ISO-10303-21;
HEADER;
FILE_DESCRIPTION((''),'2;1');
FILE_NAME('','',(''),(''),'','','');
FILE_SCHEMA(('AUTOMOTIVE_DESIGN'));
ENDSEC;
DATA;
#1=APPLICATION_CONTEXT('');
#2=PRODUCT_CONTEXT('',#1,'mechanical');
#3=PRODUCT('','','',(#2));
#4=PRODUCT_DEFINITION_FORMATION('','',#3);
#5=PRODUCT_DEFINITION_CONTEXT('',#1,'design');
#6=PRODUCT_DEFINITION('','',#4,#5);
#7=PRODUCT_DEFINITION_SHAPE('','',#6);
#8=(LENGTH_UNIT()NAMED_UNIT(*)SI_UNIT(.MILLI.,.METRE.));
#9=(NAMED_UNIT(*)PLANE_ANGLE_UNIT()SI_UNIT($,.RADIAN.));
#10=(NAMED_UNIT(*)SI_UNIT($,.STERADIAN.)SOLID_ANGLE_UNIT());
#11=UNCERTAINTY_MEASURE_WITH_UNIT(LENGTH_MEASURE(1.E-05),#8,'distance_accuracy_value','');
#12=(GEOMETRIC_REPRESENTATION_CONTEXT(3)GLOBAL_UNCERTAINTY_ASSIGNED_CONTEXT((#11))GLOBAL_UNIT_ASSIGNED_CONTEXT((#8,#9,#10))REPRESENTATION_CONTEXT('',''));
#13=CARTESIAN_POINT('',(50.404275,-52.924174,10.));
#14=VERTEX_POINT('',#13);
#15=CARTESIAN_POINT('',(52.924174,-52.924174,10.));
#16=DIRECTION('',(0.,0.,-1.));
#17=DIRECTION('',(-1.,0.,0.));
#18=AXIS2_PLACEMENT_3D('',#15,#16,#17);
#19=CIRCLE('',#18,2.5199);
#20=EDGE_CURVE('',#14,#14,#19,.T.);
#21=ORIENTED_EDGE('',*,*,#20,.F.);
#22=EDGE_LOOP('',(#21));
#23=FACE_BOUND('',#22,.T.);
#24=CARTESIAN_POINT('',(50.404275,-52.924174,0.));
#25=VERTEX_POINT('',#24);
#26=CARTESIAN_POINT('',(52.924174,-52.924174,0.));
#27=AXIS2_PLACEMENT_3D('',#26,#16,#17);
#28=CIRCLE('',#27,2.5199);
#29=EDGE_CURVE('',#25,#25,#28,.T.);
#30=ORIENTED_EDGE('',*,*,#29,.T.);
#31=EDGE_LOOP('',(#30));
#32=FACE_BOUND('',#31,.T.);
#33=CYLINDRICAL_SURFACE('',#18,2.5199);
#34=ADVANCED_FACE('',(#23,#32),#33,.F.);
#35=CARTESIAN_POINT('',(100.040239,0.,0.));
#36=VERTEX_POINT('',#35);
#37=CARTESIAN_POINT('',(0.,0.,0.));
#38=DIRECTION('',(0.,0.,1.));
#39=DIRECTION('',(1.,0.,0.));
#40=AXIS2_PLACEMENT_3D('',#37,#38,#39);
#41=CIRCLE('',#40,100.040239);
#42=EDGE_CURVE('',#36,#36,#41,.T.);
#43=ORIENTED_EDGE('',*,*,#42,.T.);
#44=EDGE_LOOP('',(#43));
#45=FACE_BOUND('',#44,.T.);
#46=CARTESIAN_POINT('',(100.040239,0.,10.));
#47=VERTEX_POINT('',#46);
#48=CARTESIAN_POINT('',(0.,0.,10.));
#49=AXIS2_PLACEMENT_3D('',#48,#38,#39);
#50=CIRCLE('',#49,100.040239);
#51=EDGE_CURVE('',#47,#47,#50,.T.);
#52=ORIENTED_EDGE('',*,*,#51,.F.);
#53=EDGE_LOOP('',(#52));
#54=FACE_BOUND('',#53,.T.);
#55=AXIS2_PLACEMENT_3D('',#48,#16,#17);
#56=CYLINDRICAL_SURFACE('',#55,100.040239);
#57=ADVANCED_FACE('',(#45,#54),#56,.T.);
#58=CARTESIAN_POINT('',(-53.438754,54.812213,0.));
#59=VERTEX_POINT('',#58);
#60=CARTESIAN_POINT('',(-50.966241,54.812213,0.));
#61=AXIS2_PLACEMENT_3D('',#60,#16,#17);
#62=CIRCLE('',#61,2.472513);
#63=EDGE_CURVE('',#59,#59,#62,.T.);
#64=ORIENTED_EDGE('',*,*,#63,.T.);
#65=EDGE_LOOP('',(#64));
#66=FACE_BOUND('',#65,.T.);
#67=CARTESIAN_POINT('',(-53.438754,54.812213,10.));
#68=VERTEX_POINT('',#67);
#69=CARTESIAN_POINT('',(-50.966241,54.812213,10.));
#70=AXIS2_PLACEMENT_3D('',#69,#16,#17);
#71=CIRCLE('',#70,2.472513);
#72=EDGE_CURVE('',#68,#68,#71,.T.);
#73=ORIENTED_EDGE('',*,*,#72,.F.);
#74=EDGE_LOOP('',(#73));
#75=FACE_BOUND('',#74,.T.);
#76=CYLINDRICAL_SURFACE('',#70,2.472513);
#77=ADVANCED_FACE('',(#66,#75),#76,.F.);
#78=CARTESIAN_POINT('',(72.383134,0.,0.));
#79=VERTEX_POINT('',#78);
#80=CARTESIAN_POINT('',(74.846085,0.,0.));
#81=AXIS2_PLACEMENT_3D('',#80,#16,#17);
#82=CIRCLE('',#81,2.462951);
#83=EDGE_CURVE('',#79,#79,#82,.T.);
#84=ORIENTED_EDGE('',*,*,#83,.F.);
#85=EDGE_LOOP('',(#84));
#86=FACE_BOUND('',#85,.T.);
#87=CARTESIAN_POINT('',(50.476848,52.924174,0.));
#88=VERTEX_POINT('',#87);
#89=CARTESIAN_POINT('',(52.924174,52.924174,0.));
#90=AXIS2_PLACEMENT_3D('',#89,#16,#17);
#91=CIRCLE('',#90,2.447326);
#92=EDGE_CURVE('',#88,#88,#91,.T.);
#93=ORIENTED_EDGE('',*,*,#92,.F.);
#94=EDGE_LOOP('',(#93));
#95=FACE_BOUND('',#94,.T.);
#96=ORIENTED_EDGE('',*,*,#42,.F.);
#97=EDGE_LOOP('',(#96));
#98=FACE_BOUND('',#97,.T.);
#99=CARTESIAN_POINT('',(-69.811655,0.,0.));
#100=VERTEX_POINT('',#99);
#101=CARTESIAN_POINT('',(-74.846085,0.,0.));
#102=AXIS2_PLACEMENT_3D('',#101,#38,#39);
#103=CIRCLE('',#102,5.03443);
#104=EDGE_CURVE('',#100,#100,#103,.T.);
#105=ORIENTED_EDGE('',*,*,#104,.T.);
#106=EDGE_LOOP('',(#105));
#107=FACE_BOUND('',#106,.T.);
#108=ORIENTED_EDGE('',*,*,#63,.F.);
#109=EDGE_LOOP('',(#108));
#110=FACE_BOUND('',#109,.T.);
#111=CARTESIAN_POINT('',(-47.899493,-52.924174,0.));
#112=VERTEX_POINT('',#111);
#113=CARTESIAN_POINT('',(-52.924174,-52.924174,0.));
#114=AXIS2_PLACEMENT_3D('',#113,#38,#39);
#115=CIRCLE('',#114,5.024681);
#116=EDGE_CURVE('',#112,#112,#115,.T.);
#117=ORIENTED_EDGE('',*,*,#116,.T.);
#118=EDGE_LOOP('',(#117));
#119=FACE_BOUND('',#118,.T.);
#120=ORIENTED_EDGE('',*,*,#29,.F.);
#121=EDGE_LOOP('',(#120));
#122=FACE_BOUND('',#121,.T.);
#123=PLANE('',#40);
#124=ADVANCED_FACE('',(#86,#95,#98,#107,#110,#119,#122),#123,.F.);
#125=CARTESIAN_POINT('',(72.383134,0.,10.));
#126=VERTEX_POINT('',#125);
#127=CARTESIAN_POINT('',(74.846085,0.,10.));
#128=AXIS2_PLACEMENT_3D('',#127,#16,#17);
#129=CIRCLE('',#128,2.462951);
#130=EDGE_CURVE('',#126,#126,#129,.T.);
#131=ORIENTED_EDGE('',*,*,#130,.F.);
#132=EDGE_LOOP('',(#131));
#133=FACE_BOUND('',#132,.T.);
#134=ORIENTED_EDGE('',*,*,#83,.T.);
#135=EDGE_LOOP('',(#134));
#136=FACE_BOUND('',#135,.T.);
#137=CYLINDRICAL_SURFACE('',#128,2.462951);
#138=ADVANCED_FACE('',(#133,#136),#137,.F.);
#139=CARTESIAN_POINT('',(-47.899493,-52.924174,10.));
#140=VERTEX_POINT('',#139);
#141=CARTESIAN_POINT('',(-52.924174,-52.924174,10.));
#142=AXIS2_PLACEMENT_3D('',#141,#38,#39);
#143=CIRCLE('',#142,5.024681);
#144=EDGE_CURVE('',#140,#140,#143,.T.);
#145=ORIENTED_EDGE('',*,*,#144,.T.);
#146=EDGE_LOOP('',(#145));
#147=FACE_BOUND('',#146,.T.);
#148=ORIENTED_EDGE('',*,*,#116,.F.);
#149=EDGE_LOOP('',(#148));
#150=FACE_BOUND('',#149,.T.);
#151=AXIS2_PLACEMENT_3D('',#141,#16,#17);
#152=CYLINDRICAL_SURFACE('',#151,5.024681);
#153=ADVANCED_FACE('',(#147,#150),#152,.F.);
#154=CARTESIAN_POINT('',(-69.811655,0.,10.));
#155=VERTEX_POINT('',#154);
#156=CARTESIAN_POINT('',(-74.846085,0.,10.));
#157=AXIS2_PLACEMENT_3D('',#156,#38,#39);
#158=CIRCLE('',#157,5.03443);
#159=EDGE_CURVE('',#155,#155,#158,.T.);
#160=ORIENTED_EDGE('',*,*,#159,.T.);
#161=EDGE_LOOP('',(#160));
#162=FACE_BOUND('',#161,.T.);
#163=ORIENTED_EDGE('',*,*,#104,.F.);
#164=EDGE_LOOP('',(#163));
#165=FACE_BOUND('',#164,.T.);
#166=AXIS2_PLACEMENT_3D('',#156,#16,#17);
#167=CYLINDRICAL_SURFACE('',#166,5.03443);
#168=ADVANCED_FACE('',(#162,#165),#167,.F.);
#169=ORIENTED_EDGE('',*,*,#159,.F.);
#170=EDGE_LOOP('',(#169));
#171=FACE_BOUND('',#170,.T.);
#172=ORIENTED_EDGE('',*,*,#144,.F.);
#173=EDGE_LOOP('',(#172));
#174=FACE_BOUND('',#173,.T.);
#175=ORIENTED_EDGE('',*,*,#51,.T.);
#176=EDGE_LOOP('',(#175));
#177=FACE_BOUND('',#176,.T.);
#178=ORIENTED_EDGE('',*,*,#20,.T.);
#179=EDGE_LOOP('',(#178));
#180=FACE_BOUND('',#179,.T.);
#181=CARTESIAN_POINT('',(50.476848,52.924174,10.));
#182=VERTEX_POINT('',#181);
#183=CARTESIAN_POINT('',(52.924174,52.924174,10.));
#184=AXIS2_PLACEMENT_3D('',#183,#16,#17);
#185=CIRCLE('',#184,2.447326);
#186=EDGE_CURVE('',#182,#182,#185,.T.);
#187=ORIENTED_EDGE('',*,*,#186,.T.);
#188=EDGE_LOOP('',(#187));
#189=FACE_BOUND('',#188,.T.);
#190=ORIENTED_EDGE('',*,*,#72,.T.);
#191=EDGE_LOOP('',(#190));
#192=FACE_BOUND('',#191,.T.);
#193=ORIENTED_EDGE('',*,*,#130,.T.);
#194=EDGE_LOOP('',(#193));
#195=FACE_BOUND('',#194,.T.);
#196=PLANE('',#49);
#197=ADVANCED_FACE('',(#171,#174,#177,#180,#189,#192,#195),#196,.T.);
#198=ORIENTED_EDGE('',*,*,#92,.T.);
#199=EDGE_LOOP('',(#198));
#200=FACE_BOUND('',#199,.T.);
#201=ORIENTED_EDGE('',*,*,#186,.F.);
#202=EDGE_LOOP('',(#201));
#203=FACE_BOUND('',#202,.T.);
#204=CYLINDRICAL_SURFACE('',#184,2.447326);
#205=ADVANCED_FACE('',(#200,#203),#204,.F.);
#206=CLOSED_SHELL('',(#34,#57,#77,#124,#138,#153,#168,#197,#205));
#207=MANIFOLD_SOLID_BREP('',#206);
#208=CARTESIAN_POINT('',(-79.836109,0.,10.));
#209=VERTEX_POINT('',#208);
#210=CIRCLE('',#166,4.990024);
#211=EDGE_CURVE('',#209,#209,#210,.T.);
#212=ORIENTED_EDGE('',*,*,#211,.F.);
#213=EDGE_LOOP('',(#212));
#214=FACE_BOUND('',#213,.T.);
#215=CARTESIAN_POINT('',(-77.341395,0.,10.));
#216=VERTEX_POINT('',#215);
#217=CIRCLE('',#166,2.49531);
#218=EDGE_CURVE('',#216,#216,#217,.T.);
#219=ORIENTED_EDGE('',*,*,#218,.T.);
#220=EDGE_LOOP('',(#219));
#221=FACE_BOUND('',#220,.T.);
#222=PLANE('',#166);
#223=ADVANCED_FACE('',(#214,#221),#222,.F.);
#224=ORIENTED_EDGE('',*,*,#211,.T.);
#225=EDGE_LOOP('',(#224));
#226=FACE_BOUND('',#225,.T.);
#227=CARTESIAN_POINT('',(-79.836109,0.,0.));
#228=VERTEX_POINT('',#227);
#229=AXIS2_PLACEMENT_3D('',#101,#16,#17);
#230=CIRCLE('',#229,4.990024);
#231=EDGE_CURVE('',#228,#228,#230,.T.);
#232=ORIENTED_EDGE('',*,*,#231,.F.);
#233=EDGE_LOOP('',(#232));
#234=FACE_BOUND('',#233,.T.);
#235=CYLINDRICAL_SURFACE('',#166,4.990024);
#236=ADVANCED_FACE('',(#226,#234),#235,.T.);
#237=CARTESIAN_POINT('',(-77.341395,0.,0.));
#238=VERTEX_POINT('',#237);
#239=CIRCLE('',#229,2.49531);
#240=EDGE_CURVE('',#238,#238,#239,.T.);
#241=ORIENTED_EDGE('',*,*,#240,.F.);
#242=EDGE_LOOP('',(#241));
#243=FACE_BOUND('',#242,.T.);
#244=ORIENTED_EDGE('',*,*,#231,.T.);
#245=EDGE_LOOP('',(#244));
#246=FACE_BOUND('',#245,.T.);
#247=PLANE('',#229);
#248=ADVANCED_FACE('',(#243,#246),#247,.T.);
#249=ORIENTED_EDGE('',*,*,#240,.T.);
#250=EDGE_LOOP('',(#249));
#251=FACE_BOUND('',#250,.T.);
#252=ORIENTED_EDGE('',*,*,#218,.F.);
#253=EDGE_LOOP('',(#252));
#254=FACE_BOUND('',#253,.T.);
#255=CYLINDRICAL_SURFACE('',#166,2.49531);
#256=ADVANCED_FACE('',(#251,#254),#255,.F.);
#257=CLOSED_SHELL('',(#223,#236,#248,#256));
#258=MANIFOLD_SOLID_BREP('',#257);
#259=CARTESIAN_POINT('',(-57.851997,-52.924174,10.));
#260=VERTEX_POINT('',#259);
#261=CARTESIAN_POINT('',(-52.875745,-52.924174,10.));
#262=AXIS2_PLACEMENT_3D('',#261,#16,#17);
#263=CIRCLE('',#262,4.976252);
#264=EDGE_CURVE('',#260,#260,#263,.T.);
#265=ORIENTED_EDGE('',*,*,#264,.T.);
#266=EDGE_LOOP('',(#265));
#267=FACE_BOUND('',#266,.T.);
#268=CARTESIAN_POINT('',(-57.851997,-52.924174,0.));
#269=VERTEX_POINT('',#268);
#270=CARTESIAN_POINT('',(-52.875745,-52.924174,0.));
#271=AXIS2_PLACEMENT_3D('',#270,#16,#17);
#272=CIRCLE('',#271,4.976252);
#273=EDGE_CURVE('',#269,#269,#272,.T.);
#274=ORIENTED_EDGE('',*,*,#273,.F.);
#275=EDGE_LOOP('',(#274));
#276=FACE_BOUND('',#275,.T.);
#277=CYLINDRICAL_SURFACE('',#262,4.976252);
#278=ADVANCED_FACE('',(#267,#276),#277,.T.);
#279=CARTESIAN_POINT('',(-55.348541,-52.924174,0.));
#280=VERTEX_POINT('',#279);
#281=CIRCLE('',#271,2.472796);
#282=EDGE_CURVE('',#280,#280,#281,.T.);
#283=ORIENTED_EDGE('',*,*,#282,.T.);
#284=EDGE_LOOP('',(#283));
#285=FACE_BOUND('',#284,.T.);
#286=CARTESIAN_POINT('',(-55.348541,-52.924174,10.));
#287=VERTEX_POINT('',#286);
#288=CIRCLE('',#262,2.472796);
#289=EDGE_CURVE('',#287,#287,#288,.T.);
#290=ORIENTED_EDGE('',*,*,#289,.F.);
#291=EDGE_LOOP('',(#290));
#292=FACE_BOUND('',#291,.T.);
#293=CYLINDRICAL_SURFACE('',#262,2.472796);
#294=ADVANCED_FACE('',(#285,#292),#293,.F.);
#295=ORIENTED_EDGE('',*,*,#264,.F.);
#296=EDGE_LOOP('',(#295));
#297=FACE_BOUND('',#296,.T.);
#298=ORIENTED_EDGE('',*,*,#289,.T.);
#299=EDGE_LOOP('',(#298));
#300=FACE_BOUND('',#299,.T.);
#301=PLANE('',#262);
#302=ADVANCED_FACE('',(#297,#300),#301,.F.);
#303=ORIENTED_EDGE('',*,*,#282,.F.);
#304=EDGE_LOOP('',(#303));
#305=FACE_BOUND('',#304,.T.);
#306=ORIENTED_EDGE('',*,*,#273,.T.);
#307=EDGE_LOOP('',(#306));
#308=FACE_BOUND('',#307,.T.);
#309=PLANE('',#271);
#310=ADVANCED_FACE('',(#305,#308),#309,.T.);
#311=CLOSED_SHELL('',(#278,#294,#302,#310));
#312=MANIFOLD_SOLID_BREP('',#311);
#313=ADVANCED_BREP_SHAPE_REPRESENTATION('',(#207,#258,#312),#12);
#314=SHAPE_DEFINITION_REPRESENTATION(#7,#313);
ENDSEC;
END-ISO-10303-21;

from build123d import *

# Parameters (mm, degrees)
SKETCH1_R           = 100.040239399
SKETCH1_R_2         = 4.999787409
SKETCH1_R_3         = 4.994100705
SKETCH1_R_4         = 4.985498273
SKETCH1_R_5         = 5.024681181
SKETCH1_R_6         = 5.034429614
SKETCH1_R_7         = 5.005688948
BOSS_EXTRUDE1_DEPTH = 10
SKETCH2_R           = 4.994100705
SKETCH2_R_2         = 2.462950525
BOSS_EXTRUDE2_DEPTH = 10
SKETCH3_R           = 4.990024035
SKETCH3_R_2         = 2.495309741
SKETCH3_R_3         = 4.999787409
SKETCH3_R_4         = 2.519899569
SKETCH3_R_5         = 4.976252145
SKETCH3_R_6         = 2.472796097
SKETCH3_R_7         = 5.005688948
SKETCH3_R_8         = 2.472512655
SKETCH3_R_9         = 4.985498273
SKETCH3_R_10        = 2.447326027
BOSS_EXTRUDE4_DEPTH = 10


with BuildPart() as part:
    # Sketch1 → Boss-Extrude1 (new body)
    with BuildSketch(Plane.XY):
        Circle(SKETCH1_R)
        with Locations((52.924174166, -52.924174166)):
            Circle(SKETCH1_R_2, mode=Mode.SUBTRACT)
        with Locations((74.846084883, 0)):
            Circle(SKETCH1_R_3, mode=Mode.SUBTRACT)
        with Locations((52.924174166, 52.924174166)):
            Circle(SKETCH1_R_4, mode=Mode.SUBTRACT)
        with Locations((-52.924174166, -52.924174166)):
            Circle(SKETCH1_R_5, mode=Mode.SUBTRACT)
        with Locations((-74.846084883, 0)):
            Circle(SKETCH1_R_6, mode=Mode.SUBTRACT)
        with Locations((-50.96624125, 54.812212828)):
            Circle(SKETCH1_R_7, mode=Mode.SUBTRACT)
    extrude(amount=BOSS_EXTRUDE1_DEPTH)

    # Sketch2 → Boss-Extrude2 (add)
    with BuildSketch(Plane(origin=(0, 0, 0), x_dir=(-1, 0, 0), z_dir=(0, 0, -1))):
        with Locations((-74.846084883, 0)):
            Circle(SKETCH2_R)
        with Locations((-74.846084883, 0)):
            Circle(SKETCH2_R_2, mode=Mode.SUBTRACT)
    extrude(amount=-BOSS_EXTRUDE2_DEPTH)

    # Sketch3 → Boss-Extrude4 (add)
    with BuildSketch(Plane(origin=(0, 0, 0), x_dir=(-1, 0, 0), z_dir=(0, 0, -1))):
        with Locations((74.846084883, 0)):
            Circle(SKETCH3_R)
        with Locations((74.846084883, 0)):
            Circle(SKETCH3_R_2, mode=Mode.SUBTRACT)
        with Locations((-52.924174166, -52.924174166)):
            Circle(SKETCH3_R_3)
        with Locations((-52.924174166, -52.924174166)):
            Circle(SKETCH3_R_4, mode=Mode.SUBTRACT)
        with Locations((52.875745129, -52.924174166)):
            Circle(SKETCH3_R_5)
        with Locations((52.875745129, -52.924174166)):
            Circle(SKETCH3_R_6, mode=Mode.SUBTRACT)
        with Locations((50.96624125, 54.812212828)):
            Circle(SKETCH3_R_7)
        with Locations((50.96624125, 54.812212828)):
            Circle(SKETCH3_R_8, mode=Mode.SUBTRACT)
        with Locations((-52.924174166, 52.924174166)):
            Circle(SKETCH3_R_9)
        with Locations((-52.924174166, 52.924174166)):
            Circle(SKETCH3_R_10, mode=Mode.SUBTRACT)
    extrude(amount=-BOSS_EXTRUDE4_DEPTH)


solid = part.part
